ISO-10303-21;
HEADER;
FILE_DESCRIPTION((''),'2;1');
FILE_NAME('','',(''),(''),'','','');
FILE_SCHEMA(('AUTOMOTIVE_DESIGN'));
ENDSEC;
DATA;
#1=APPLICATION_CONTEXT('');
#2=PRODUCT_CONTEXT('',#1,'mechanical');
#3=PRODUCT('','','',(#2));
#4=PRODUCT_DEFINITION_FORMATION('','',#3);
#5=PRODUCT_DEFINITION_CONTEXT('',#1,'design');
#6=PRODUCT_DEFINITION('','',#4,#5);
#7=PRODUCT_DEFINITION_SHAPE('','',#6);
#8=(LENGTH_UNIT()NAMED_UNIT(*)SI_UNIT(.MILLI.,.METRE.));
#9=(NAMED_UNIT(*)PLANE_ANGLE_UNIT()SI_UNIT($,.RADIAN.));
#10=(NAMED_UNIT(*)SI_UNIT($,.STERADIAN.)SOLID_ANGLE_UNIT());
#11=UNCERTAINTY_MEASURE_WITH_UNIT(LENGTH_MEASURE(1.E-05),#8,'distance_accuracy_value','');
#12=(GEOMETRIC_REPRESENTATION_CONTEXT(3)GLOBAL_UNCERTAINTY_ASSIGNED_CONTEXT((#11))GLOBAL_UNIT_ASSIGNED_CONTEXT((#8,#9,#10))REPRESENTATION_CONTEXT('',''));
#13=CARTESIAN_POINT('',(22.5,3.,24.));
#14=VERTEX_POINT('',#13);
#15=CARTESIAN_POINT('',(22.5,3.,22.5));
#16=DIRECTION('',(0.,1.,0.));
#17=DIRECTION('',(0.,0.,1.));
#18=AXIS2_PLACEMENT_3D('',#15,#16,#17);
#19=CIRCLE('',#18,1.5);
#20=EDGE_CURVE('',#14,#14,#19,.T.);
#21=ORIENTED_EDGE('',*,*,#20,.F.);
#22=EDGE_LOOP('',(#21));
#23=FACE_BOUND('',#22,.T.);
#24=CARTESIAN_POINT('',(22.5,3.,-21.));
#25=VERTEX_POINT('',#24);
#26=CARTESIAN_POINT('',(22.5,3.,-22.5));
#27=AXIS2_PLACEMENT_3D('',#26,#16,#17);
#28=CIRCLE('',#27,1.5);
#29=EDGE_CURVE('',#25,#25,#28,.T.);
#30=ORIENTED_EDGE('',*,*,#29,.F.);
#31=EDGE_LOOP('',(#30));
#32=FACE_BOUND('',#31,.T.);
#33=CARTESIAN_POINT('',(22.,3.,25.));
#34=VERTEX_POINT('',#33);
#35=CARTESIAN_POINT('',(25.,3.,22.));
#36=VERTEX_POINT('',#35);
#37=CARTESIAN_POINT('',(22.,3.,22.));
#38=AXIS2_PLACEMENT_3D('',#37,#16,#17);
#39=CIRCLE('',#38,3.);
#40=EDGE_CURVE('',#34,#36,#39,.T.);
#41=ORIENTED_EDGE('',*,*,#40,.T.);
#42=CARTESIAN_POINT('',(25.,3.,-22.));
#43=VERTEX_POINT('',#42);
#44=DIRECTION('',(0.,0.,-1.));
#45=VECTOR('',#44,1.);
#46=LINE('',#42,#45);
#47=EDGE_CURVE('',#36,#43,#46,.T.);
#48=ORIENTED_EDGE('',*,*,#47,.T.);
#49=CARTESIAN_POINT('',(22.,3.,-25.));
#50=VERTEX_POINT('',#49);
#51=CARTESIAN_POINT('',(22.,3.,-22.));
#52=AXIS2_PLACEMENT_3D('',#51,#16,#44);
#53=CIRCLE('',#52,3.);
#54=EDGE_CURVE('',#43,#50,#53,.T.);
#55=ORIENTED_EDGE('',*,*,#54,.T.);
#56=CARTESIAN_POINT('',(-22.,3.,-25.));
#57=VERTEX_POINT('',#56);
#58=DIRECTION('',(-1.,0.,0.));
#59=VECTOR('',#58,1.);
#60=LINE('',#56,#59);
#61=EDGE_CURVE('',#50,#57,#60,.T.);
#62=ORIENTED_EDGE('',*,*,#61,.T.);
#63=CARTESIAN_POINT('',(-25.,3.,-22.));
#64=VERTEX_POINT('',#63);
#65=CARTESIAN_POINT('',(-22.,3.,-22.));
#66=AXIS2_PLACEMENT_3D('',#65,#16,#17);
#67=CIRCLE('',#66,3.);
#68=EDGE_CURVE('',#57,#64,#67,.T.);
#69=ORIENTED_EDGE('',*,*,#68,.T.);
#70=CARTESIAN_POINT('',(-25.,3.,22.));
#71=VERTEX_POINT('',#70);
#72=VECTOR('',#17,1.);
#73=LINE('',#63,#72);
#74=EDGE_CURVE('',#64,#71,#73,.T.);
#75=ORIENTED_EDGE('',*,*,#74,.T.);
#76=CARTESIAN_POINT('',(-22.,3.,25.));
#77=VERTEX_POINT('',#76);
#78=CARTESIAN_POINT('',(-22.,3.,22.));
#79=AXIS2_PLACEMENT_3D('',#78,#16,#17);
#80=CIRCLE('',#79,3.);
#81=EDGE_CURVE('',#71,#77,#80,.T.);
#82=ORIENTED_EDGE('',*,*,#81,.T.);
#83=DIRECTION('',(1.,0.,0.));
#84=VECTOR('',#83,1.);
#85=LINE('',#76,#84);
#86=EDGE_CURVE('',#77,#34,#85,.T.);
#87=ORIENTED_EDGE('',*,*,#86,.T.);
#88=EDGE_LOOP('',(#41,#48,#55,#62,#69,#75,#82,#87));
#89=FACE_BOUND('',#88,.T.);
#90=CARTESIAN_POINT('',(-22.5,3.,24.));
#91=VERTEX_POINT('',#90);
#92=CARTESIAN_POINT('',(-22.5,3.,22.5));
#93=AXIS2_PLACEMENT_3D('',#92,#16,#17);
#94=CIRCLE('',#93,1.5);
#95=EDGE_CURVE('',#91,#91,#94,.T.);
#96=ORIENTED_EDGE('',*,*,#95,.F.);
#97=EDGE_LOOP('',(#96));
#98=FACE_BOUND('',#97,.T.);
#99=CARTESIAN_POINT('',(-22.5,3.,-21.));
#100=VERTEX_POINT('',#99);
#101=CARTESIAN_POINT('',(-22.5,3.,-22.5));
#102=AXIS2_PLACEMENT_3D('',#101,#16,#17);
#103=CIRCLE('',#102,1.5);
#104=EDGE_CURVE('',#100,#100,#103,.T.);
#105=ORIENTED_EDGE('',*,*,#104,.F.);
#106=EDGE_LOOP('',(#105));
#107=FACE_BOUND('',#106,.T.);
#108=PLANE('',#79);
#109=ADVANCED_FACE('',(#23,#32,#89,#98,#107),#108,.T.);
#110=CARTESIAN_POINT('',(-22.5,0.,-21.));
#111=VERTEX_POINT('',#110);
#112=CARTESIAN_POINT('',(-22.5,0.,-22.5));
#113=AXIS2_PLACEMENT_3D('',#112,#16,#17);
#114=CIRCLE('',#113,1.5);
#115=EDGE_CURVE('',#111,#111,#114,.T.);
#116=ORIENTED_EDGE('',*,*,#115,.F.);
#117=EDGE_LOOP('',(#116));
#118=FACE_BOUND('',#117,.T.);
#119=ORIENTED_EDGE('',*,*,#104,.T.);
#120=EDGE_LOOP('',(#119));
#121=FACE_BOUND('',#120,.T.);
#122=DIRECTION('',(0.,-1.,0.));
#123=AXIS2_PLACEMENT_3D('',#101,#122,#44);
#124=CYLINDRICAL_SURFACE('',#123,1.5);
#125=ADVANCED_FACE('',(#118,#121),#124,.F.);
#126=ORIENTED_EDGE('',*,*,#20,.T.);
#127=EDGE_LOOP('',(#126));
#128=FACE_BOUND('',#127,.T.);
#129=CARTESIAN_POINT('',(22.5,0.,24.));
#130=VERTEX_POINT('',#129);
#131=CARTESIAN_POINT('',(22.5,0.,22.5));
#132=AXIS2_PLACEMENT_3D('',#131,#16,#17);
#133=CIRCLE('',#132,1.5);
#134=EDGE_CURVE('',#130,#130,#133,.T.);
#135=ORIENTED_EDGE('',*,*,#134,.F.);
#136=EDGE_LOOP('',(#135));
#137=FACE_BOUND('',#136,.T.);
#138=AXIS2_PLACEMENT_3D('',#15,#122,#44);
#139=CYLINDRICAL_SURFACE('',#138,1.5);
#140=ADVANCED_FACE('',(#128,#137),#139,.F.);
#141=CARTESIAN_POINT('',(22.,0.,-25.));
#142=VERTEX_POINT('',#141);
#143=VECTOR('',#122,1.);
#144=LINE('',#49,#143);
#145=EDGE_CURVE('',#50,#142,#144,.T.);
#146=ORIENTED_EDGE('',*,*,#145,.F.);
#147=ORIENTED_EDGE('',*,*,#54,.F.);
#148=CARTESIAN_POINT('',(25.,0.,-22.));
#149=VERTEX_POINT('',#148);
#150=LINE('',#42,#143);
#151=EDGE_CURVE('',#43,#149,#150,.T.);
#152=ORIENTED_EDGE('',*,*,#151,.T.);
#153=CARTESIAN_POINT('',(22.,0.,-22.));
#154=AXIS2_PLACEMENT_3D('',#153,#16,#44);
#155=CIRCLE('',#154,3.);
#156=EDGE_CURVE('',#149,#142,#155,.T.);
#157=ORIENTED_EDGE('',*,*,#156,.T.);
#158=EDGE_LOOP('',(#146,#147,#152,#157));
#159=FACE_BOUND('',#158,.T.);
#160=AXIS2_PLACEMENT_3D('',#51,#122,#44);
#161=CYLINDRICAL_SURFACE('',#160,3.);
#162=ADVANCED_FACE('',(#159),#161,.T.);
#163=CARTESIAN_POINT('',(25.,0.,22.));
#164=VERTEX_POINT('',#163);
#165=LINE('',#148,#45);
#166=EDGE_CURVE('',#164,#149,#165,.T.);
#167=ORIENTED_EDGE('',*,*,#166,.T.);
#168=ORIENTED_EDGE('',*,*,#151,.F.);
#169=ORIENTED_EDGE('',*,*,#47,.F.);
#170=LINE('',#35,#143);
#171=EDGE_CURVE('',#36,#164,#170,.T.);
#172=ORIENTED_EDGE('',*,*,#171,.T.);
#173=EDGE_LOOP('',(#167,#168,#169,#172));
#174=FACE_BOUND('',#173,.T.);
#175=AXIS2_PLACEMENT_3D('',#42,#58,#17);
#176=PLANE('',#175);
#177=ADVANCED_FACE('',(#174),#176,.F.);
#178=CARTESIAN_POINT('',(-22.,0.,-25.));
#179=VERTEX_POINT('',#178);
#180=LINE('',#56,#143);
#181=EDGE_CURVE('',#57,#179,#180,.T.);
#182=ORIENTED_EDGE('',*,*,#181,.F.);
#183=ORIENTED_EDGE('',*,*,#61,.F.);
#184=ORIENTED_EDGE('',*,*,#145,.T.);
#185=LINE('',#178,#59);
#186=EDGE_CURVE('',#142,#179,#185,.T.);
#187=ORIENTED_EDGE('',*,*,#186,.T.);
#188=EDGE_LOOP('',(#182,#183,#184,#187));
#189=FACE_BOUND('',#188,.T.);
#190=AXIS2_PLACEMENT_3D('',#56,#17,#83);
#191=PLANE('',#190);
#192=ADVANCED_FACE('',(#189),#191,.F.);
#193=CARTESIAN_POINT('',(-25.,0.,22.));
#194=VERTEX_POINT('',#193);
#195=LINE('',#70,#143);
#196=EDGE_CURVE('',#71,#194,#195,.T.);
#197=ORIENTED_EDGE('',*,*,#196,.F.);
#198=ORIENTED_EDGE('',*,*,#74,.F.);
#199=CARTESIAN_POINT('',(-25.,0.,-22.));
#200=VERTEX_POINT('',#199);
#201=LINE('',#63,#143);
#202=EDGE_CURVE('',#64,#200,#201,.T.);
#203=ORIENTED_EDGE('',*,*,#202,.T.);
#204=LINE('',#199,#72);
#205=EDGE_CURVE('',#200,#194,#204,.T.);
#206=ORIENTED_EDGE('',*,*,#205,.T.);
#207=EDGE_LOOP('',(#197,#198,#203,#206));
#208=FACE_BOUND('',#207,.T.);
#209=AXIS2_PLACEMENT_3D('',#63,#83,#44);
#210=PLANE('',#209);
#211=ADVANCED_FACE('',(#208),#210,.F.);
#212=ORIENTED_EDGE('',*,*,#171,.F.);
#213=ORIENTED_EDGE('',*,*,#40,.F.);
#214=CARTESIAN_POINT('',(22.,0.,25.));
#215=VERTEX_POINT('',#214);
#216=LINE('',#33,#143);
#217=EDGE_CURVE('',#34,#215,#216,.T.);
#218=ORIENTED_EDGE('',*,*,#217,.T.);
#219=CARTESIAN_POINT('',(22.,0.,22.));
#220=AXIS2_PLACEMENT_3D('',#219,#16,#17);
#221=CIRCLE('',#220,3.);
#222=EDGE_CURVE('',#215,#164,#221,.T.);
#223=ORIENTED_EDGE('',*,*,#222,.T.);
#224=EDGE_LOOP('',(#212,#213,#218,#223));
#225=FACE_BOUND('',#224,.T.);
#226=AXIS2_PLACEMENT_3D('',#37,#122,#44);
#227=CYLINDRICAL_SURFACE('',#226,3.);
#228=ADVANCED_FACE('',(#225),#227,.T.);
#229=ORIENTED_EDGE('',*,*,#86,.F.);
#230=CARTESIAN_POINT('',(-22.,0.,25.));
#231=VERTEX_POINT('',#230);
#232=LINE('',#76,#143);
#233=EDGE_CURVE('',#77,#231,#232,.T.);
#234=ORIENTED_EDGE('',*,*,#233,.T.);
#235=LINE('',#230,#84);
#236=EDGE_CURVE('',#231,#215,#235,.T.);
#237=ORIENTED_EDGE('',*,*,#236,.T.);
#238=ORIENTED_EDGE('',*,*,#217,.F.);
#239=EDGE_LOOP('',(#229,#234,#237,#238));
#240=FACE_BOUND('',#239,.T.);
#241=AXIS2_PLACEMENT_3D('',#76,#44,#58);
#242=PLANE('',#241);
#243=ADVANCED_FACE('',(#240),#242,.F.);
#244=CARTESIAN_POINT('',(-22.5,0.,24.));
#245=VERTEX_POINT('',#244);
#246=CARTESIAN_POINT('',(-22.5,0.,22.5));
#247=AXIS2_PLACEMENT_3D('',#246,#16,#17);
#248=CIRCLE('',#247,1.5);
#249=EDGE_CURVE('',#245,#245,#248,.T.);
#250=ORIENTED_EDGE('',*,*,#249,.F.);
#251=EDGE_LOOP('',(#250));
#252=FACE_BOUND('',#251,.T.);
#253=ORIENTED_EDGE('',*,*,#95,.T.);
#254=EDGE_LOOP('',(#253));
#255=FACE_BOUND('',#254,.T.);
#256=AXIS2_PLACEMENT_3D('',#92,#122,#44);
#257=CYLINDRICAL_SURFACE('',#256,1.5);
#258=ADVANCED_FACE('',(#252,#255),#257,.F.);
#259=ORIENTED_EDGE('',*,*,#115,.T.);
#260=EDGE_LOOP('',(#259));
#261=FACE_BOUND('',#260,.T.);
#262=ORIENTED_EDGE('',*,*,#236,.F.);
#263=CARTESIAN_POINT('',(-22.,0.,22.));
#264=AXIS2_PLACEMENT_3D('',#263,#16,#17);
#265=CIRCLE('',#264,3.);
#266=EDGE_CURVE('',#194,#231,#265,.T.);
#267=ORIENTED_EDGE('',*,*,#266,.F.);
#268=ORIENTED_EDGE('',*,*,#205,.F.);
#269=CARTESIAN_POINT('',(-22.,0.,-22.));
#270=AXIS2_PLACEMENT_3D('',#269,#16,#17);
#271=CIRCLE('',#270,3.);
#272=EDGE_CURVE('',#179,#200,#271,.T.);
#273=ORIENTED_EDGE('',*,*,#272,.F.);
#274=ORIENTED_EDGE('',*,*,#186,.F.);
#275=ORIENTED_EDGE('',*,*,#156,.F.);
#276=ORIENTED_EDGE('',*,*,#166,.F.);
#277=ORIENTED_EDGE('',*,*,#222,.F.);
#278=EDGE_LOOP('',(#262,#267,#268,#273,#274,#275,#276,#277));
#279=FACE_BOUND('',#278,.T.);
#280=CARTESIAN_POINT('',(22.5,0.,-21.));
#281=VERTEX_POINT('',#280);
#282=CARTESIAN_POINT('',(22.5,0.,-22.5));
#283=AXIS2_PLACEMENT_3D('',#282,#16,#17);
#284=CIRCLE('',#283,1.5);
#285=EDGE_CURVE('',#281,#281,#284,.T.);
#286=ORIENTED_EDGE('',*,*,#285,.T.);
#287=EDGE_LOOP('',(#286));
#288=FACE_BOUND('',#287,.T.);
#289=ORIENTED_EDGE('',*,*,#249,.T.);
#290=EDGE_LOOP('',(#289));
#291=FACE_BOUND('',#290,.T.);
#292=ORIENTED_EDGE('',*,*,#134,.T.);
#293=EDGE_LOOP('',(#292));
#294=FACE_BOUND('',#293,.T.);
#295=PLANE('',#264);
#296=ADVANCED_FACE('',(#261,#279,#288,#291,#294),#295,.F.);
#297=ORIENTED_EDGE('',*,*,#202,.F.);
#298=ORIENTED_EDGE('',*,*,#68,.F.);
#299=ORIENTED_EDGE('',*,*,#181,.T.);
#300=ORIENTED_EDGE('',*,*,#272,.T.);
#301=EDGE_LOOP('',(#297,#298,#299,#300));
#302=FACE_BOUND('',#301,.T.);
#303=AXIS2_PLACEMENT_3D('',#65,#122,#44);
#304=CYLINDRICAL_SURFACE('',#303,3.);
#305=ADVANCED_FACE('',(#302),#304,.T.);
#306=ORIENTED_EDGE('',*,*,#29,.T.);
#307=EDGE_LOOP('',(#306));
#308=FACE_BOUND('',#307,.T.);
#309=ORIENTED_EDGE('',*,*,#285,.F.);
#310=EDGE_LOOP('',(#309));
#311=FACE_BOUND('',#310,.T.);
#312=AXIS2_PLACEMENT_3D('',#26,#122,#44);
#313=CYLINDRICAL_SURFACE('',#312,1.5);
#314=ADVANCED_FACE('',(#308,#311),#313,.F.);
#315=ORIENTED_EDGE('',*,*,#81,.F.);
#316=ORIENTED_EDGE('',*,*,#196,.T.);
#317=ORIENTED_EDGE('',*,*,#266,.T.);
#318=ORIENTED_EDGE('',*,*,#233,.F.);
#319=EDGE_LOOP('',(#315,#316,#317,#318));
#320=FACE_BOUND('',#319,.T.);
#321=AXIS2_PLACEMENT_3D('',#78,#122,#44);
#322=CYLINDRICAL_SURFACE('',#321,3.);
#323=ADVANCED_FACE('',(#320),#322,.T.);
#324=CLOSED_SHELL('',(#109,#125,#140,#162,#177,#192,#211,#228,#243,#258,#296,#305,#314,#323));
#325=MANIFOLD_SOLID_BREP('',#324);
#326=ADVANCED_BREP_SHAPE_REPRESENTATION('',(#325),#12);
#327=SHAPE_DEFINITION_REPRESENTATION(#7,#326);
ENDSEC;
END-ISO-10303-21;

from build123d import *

# Parameters (mm, degrees)
SKETCH_1_R      = 1.5
EXTRUDE_1_DEPTH = 3


with BuildPart() as part:
    # 草圖1 → 填料-伸長1 (new body)
    with BuildSketch(Plane(origin=(0, 0, 0), x_dir=(1, 0, 0), z_dir=(0, 1, 0))):
        with BuildLine():
            Line((-22, 25), (22, 25))
            ThreePointArc((22, 25), (24.121320344, 24.121320344), (25, 22))
            Line((25, 22), (25, -22))
            ThreePointArc((25, -22), (24.121320344, -24.121320344), (22, -25))
            Line((22, -25), (-22, -25))
            ThreePointArc((-22, -25), (-24.121320344, -24.121320344), (-25, -22))
            Line((-25, -22), (-25, 22))
            ThreePointArc((-25, 22), (-24.121320344, 24.121320344), (-22, 25))
        make_face()
        with Locations(Location((-22.5, 22.5, 0), (0, 0, 270))):
            Circle(SKETCH_1_R, mode=Mode.SUBTRACT)
        with Locations(Location((22.5, 22.5, 0), (0, 0, 270))):
            Circle(SKETCH_1_R, mode=Mode.SUBTRACT)
        with Locations(Location((-22.5, -22.5, 0), (0, 0, 270))):
            Circle(SKETCH_1_R, mode=Mode.SUBTRACT)
        with Locations(Location((22.5, -22.5, 0), (0, 0, 270))):
            Circle(SKETCH_1_R, mode=Mode.SUBTRACT)
    extrude(amount=EXTRUDE_1_DEPTH)


solid = part.part
